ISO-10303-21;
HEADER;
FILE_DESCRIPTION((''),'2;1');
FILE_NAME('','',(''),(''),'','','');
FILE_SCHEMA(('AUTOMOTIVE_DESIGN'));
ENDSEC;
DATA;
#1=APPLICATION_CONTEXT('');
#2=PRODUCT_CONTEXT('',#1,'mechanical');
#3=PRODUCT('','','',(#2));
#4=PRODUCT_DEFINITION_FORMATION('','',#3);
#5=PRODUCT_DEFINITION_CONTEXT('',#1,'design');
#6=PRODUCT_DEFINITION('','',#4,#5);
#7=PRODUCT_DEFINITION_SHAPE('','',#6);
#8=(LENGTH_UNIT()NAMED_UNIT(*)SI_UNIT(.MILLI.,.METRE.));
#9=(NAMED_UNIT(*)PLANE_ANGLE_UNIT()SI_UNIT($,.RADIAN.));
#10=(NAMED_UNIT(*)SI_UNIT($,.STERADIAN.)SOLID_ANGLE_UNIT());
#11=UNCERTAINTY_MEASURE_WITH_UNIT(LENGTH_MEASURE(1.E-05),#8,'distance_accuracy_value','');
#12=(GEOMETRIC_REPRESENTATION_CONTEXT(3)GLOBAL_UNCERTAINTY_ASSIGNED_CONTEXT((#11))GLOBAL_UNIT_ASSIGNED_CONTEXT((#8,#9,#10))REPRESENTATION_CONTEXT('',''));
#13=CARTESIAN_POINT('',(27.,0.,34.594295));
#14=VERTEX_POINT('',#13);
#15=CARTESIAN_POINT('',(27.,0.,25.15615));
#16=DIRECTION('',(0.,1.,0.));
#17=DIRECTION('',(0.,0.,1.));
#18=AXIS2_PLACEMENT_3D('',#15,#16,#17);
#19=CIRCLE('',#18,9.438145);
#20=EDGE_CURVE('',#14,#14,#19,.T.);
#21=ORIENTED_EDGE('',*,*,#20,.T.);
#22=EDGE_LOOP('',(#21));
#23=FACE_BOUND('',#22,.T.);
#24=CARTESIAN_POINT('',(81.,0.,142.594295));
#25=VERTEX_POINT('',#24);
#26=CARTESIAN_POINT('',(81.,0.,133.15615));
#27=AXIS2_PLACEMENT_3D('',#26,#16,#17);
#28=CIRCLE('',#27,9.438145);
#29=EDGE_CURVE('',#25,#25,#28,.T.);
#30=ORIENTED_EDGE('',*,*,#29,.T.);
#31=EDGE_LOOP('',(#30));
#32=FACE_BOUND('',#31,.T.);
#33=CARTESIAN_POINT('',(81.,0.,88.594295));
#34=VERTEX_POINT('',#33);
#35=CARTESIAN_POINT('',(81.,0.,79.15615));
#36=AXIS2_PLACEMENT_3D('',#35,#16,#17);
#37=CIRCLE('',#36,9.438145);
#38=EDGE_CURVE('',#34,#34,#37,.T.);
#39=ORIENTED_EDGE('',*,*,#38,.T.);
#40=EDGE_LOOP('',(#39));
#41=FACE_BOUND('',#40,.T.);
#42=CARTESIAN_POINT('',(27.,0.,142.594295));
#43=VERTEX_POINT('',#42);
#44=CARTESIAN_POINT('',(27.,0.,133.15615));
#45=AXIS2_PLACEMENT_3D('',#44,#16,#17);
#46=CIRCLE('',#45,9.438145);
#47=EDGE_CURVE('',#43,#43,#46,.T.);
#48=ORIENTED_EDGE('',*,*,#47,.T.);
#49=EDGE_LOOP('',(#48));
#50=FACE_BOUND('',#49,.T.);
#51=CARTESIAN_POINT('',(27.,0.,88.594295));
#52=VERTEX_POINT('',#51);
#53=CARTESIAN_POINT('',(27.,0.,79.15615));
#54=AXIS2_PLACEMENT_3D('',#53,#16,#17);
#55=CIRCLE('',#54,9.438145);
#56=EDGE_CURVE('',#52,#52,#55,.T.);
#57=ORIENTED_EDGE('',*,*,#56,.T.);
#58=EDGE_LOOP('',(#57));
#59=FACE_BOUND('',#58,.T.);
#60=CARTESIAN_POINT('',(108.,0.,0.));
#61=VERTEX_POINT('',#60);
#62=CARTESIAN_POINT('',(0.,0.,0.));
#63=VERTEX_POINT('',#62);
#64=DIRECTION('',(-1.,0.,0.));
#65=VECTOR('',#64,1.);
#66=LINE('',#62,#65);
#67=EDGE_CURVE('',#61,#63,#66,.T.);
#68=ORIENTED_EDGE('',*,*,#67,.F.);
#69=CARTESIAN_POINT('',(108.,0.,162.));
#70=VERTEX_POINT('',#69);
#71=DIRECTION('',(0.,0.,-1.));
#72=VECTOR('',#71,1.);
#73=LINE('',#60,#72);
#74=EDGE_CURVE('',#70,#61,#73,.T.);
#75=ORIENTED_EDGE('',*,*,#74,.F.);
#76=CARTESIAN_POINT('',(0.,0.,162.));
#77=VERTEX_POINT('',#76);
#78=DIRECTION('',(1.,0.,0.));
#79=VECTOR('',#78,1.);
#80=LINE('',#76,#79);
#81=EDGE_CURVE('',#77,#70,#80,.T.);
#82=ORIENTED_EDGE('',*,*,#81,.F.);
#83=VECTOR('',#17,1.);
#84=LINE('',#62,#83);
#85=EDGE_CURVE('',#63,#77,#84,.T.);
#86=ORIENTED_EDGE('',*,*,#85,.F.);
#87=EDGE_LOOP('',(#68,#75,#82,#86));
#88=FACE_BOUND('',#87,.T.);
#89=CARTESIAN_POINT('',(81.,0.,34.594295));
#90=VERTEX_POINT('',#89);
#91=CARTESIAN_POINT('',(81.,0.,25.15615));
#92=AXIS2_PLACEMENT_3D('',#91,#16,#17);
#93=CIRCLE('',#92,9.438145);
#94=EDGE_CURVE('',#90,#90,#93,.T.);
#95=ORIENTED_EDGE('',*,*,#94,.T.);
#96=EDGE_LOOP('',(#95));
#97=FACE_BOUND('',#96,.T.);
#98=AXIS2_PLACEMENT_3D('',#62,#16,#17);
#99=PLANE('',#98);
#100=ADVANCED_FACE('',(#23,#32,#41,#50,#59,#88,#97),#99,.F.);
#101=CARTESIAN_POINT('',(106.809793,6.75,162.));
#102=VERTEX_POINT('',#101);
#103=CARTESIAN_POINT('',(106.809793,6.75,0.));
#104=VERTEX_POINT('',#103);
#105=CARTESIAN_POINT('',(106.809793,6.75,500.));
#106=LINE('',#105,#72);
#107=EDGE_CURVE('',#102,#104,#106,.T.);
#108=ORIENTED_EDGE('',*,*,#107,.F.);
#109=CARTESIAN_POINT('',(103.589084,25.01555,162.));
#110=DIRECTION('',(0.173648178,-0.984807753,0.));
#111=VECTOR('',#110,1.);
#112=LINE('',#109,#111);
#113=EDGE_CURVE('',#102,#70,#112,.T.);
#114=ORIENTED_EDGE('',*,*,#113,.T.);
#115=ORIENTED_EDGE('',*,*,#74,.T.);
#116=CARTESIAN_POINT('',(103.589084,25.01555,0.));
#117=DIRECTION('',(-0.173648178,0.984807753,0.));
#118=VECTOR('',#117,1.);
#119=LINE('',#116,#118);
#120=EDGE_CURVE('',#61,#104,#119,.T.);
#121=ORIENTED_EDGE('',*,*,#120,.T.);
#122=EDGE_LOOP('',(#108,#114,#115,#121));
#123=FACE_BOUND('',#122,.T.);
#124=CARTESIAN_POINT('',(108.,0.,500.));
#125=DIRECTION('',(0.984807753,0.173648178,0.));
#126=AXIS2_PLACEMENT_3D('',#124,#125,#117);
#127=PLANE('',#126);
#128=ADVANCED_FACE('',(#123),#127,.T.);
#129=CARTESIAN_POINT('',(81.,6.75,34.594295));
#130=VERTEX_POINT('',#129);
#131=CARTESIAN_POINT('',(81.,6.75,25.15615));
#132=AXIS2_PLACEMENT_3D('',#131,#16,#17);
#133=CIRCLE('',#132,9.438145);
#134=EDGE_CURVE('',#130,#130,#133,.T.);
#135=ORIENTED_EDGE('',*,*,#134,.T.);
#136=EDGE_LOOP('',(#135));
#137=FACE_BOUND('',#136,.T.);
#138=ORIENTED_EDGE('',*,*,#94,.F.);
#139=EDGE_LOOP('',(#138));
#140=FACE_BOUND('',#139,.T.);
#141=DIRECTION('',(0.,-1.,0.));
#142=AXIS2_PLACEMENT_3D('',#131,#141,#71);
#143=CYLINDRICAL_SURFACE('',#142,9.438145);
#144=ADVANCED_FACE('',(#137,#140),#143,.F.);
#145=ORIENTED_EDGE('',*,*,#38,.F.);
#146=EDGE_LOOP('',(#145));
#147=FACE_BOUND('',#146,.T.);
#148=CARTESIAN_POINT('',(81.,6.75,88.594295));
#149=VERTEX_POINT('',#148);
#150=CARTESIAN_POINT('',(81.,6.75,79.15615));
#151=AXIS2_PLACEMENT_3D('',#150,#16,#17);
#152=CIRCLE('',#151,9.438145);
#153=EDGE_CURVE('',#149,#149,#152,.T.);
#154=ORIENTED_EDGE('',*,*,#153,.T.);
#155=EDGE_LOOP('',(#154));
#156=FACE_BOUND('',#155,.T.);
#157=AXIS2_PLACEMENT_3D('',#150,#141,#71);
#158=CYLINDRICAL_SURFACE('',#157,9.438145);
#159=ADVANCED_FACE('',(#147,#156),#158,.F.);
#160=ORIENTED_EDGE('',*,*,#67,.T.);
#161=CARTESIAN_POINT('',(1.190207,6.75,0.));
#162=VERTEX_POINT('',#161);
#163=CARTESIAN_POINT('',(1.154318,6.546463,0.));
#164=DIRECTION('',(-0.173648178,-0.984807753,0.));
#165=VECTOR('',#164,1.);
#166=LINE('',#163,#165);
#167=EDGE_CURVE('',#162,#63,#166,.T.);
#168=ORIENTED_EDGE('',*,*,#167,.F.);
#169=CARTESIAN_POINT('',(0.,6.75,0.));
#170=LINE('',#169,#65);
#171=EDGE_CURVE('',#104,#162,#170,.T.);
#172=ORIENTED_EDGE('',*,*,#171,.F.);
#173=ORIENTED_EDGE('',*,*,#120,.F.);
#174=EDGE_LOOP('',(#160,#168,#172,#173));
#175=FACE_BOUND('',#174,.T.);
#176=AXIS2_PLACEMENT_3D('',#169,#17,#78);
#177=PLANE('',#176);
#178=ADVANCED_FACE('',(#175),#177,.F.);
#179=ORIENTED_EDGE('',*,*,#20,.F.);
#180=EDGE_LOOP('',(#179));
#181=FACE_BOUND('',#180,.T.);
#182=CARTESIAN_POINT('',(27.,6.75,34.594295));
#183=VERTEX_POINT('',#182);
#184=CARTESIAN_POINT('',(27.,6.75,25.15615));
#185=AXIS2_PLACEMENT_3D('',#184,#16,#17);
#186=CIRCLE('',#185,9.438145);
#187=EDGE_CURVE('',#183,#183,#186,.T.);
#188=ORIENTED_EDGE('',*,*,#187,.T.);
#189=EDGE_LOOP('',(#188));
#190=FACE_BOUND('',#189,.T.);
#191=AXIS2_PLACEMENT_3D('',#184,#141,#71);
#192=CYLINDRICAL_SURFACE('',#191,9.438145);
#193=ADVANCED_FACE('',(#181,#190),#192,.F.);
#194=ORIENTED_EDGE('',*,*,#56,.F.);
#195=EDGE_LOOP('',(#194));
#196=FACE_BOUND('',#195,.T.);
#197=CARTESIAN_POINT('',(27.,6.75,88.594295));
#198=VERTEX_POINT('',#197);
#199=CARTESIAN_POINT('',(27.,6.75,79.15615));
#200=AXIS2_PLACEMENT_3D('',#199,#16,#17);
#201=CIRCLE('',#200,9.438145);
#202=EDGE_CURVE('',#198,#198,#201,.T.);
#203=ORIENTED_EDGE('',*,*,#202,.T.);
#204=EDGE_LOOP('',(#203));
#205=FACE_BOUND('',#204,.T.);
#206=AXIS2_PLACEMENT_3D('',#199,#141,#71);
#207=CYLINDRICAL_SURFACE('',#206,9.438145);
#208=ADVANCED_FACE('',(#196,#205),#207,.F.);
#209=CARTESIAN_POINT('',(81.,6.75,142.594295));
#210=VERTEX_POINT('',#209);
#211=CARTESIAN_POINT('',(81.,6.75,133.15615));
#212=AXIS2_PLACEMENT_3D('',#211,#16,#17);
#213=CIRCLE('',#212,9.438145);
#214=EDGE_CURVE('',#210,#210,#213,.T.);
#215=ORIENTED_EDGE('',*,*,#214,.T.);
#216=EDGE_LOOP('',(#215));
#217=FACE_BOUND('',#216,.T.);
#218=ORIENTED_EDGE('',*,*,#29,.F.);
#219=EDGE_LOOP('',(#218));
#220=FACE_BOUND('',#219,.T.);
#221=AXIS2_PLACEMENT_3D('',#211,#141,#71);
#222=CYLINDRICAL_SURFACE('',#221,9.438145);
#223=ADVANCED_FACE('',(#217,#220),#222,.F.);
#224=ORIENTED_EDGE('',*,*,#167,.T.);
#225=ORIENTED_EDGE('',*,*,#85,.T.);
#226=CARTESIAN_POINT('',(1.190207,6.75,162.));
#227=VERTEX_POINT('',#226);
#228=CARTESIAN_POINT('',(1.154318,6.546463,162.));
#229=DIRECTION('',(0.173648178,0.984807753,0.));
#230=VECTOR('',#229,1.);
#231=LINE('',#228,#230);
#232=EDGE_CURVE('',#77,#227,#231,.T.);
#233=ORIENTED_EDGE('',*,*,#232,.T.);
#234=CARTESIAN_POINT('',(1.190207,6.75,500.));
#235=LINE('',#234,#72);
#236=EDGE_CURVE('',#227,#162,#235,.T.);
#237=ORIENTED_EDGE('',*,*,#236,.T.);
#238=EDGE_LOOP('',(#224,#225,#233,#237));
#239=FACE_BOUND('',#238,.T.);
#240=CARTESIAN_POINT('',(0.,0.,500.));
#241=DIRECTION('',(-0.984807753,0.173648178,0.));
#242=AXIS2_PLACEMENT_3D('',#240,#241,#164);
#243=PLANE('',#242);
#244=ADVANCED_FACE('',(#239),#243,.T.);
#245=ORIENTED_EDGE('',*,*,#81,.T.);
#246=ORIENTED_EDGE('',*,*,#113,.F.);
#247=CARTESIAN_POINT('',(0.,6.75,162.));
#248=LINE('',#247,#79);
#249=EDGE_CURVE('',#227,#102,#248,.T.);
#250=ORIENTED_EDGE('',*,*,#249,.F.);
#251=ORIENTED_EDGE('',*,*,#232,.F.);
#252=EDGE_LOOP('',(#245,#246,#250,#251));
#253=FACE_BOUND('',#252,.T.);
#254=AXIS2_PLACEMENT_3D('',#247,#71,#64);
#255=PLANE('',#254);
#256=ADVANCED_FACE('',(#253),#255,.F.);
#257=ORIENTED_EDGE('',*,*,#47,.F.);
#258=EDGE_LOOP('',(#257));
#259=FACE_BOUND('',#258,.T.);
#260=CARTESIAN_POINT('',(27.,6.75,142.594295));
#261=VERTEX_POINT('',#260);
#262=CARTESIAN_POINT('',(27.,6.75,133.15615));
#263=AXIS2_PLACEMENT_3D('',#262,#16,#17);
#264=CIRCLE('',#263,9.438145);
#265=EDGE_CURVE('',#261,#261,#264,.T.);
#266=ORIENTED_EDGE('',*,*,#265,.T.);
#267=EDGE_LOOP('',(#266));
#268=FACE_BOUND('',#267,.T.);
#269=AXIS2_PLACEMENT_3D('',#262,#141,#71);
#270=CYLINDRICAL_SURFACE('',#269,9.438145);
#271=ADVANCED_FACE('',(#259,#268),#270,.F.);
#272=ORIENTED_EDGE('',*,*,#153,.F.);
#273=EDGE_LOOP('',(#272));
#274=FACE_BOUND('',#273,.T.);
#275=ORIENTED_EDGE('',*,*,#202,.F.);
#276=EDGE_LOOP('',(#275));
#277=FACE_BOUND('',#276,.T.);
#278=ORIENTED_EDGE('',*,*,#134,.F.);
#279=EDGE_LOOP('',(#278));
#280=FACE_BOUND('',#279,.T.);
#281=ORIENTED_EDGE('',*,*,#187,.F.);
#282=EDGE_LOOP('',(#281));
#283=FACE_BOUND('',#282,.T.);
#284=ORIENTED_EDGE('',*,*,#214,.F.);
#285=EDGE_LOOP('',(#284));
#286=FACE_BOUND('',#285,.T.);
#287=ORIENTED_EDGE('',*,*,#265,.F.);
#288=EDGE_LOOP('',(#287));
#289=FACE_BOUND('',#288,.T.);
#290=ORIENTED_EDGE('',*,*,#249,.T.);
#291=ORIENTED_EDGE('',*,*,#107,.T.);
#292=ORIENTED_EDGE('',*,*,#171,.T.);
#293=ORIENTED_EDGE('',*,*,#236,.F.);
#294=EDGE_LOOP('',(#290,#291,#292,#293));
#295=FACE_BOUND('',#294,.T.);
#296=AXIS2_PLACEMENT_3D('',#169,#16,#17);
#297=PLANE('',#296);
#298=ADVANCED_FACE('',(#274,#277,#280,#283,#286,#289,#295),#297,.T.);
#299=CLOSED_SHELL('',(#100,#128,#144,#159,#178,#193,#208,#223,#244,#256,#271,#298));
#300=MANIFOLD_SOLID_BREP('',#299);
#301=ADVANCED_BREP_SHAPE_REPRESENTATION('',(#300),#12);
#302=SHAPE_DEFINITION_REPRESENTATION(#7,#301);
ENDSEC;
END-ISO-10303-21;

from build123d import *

# Parameters (mm, degrees)
SKETCH1_W                = 108
SKETCH1_H                = 162
SKETCH1_R                = 9.438144972
BOSS_EXTRUDE1_DEPTH      = 6.75
CUT_EXTRUDE16_DEPTH      = 500
CUT_EXTRUDE16_DEPTH_BACK = 6.75


with BuildPart() as part:
    # Sketch1 → Boss-Extrude1 (new body)
    with BuildSketch(Plane(origin=(0, 0, 0), x_dir=(1, 0, 0), z_dir=(0, 1, 0))):
        with Locations((54, -81)):
            Rectangle(SKETCH1_W, SKETCH1_H)
        with Locations(Location((27, -133.156149589, 0), (0, 0, 270))):
            Circle(SKETCH1_R, mode=Mode.SUBTRACT)
        with Locations(Location((81, -133.156149589, 0), (0, 0, 270))):
            Circle(SKETCH1_R, mode=Mode.SUBTRACT)
        with Locations(Location((81, -79.156149589, 0), (0, 0, 270))):
            Circle(SKETCH1_R, mode=Mode.SUBTRACT)
        with Locations(Location((81, -25.156149589, 0), (0, 0, 270))):
            Circle(SKETCH1_R, mode=Mode.SUBTRACT)
        with Locations(Location((27, -79.156149589, 0), (0, 0, 270))):
            Circle(SKETCH1_R, mode=Mode.SUBTRACT)
        with Locations(Location((27, -25.156149589, 0), (0, 0, 270))):
            Circle(SKETCH1_R, mode=Mode.SUBTRACT)
    extrude(amount=BOSS_EXTRUDE1_DEPTH)

    # Sketch2 → Cut-Extrude16 (cut, two sides: drawn at the far end of the back side and taken through both)
    with BuildSketch(Plane.XY.offset(-CUT_EXTRUDE16_DEPTH_BACK)):
        Polygon((0, 6.75), (0, 0), (1.19020712, 6.75), align=None)
        Polygon((108, 6.75), (108, 0), (106.80979288, 6.75), align=None)
    extrude(amount=CUT_EXTRUDE16_DEPTH + CUT_EXTRUDE16_DEPTH_BACK, mode=Mode.SUBTRACT)


solid = part.part
